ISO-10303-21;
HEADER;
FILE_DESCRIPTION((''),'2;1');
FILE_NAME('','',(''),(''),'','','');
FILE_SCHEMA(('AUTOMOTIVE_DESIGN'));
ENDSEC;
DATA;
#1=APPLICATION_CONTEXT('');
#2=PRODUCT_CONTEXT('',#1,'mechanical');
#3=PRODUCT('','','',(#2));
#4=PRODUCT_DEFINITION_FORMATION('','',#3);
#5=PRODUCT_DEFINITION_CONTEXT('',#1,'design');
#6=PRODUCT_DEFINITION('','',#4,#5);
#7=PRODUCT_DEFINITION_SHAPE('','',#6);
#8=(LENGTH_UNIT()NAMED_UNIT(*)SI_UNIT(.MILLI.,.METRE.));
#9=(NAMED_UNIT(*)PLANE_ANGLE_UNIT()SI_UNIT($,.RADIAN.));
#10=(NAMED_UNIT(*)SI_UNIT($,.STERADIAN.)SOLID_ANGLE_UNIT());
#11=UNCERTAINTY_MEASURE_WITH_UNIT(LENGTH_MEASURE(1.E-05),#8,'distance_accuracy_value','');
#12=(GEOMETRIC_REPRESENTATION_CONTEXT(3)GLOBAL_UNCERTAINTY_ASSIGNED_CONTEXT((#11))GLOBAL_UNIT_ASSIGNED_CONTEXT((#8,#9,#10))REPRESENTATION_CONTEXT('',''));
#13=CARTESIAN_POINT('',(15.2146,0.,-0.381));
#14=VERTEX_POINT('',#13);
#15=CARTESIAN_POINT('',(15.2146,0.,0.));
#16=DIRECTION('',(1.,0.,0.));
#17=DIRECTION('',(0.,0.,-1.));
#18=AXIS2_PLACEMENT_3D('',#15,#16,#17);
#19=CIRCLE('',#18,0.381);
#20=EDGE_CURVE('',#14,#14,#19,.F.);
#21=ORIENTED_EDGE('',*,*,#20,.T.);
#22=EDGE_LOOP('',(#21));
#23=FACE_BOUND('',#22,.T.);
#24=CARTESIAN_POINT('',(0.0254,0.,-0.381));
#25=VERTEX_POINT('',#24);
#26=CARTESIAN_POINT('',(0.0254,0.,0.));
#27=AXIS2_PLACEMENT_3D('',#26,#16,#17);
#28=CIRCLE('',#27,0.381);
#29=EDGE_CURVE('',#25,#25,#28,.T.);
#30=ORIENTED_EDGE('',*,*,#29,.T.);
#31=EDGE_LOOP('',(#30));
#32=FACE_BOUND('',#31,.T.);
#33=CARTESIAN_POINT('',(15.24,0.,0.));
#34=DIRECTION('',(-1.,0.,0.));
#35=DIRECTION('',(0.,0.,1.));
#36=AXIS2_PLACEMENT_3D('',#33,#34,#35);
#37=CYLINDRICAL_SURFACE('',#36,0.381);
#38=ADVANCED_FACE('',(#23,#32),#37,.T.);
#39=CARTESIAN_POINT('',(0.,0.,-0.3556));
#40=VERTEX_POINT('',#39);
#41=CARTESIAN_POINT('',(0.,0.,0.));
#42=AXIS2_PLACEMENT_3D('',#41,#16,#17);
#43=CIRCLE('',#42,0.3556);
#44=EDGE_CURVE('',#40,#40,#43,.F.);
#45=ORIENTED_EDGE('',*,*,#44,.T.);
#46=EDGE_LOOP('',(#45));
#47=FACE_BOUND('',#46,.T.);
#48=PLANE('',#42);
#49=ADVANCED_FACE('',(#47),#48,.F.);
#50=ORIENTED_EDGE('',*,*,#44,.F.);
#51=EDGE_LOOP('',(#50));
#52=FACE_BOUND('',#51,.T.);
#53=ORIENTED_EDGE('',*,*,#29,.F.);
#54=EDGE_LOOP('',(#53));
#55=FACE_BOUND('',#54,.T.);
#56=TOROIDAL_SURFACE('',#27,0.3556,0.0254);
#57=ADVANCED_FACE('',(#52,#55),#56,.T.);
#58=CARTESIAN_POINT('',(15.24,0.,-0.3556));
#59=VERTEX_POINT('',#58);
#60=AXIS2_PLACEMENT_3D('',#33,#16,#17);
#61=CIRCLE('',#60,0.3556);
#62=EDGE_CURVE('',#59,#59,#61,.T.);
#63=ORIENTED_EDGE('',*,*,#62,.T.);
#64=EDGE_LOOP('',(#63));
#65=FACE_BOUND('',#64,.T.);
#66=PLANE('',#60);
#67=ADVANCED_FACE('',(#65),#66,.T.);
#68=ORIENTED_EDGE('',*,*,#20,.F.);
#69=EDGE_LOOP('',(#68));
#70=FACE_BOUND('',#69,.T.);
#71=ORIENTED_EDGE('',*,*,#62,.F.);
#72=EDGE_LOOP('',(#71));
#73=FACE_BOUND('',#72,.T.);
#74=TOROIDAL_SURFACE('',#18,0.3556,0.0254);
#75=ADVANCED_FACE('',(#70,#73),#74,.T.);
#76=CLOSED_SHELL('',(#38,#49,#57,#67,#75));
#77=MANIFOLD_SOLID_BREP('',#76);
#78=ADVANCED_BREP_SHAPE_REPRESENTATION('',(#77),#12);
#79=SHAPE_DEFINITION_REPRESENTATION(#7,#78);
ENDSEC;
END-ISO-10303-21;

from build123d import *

# Parameters (mm, degrees)
SKETCH1_R      = 0.381
EXTRUDE1_DEPTH = 15.24
FILLET1_R      = 0.0254


with BuildPart() as part:
    # Sketch1 → Extrude1 (new body)
    with BuildSketch(Plane(origin=(0, 0, 0), x_dir=(0, 0, -1), z_dir=(1, 0, 0))):
        Circle(SKETCH1_R)
    extrude(amount=EXTRUDE1_DEPTH)

    # Fillet1
    fillet1_edges = [part.edges().sort_by_distance(p)[0] for p in [
        (0, 0, 0.381),
        (15.24, 0, 0.381),
    ]]
    fillet(fillet1_edges, radius=FILLET1_R)


solid = part.part
